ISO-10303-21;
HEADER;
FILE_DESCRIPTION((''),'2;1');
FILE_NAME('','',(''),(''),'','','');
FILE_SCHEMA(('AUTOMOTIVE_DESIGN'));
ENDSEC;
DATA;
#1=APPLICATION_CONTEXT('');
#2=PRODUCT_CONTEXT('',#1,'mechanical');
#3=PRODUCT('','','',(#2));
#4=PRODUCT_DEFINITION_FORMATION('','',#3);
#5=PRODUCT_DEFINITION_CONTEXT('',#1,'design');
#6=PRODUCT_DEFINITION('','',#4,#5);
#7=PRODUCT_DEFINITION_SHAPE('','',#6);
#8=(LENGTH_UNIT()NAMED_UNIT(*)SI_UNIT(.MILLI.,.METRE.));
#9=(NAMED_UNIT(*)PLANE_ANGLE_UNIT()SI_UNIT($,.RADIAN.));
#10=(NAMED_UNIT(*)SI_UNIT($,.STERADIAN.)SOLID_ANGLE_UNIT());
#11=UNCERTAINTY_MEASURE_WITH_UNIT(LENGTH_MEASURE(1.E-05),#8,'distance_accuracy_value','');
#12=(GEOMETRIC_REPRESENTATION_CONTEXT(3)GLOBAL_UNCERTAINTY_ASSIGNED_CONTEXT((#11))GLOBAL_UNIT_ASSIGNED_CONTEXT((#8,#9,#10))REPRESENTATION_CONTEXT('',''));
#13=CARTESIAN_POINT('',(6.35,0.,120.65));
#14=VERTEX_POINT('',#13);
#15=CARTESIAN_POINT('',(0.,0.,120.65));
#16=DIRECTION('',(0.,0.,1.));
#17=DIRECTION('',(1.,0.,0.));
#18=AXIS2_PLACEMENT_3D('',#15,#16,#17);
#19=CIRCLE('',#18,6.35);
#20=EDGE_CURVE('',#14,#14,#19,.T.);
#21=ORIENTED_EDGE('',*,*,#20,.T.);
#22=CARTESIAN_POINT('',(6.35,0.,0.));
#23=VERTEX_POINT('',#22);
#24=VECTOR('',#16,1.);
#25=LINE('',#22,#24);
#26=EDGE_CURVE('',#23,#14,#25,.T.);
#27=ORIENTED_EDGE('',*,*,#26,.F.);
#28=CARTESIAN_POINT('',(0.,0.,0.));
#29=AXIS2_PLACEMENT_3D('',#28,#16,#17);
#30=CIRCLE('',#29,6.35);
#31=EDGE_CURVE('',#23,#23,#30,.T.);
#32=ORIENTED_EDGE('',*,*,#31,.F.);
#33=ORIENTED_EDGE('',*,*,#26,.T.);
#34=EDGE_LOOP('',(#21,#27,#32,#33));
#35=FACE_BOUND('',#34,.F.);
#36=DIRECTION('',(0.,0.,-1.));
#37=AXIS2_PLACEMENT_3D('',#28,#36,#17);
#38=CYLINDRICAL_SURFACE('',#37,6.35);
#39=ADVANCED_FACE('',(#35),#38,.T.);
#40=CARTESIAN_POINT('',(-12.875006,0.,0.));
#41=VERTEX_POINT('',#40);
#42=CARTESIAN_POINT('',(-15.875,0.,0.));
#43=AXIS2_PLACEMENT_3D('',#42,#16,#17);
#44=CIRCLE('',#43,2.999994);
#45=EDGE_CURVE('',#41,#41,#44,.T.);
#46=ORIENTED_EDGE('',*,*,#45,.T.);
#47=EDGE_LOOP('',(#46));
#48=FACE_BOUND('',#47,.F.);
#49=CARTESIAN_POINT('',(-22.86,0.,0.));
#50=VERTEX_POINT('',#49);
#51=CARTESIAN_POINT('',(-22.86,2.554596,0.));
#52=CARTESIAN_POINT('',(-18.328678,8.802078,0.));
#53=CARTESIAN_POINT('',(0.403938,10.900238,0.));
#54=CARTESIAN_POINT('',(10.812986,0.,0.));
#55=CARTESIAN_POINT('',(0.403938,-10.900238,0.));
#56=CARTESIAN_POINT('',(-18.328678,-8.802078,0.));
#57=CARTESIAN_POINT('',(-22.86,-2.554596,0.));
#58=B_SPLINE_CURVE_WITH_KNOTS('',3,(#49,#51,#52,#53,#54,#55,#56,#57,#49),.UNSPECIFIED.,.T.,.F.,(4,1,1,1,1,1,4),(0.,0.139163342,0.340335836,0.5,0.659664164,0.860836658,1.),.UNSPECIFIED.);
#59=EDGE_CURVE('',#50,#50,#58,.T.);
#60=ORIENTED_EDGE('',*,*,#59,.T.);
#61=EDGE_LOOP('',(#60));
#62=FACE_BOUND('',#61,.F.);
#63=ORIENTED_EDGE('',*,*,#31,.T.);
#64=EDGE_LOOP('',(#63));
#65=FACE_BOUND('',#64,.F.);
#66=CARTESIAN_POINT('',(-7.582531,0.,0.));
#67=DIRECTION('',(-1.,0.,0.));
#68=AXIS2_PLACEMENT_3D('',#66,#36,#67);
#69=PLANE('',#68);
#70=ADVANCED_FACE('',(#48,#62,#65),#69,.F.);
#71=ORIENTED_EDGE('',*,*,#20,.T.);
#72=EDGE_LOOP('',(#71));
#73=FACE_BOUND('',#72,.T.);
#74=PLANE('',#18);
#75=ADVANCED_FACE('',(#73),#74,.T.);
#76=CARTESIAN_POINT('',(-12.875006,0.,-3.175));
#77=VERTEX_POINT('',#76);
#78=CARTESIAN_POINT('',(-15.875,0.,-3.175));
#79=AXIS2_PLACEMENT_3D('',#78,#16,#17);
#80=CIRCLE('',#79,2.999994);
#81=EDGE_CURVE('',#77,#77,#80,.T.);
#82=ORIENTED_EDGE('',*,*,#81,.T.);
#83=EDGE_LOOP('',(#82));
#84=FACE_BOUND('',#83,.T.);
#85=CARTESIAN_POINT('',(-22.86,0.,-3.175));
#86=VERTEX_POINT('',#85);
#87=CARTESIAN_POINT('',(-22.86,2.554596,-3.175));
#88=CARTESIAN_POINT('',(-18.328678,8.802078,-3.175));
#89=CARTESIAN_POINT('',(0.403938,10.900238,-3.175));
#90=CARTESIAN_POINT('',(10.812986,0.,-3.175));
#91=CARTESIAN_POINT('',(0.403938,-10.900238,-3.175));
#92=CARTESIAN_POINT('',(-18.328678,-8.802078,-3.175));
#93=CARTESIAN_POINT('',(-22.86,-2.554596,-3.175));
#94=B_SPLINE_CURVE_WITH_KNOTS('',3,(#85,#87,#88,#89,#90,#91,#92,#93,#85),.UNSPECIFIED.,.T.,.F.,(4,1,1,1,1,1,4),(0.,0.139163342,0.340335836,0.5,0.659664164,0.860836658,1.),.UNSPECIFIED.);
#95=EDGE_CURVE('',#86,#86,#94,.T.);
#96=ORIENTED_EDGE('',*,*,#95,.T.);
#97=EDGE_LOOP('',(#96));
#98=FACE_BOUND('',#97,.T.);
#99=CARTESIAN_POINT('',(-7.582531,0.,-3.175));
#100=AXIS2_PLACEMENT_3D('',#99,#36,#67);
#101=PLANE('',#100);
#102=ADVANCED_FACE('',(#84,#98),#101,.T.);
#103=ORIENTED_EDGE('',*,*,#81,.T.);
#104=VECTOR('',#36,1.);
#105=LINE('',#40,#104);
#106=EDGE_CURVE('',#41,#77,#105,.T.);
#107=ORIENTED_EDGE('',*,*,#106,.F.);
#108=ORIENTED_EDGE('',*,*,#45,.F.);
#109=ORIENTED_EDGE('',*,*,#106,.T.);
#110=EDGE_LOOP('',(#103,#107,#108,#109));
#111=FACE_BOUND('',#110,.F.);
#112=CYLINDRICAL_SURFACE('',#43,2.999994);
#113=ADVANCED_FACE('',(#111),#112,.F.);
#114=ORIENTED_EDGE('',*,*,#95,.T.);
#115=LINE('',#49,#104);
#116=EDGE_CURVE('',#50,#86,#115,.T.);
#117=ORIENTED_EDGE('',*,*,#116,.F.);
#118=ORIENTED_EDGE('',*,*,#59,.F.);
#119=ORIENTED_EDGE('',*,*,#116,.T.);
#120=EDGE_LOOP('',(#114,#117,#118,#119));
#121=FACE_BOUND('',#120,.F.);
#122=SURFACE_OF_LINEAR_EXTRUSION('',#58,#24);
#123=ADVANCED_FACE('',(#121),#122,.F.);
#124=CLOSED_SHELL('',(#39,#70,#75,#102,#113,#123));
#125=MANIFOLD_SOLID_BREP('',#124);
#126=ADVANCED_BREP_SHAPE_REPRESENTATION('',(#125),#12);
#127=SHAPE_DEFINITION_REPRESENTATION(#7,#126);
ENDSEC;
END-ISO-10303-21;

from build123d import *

# Parameters (mm, degrees)
F0_R     = 6.35
F1_DEPTH = 120.65
F2_R     = 2.999994
F3_DEPTH = 3.175


with BuildPart() as f1:
    # F0 (on Top) → F1 (new body)
    with BuildSketch(Plane.XY):
        Circle(F0_R)
    extrude(amount=F1_DEPTH)

    # F2 (on Top) → F3 (join)
    with BuildSketch(Plane.XY):
        with BuildLine():
            add(Edge.make_bspline(
                [(-22.86, 0), (-22.86, 2.5545958015), (-18.3286775124, 8.802077968), (0.4039382183, 10.9002379096), (10.8129862144, 0), (0.4039382183, -10.9002379096), (-18.3286775124, -8.802077968), (-22.86, -2.5545958015), (-22.86, 0)],
                knots=[0, 0, 0, 0, 0.1391633419, 0.3403358355, 0.5, 0.6596641645, 0.8608366581, 1, 1, 1, 1], degree=3))
        make_face()
        with Locations((-15.875, 0)):
            Circle(F2_R, mode=Mode.SUBTRACT)
    extrude(amount=-F3_DEPTH)


solid = f1.part
